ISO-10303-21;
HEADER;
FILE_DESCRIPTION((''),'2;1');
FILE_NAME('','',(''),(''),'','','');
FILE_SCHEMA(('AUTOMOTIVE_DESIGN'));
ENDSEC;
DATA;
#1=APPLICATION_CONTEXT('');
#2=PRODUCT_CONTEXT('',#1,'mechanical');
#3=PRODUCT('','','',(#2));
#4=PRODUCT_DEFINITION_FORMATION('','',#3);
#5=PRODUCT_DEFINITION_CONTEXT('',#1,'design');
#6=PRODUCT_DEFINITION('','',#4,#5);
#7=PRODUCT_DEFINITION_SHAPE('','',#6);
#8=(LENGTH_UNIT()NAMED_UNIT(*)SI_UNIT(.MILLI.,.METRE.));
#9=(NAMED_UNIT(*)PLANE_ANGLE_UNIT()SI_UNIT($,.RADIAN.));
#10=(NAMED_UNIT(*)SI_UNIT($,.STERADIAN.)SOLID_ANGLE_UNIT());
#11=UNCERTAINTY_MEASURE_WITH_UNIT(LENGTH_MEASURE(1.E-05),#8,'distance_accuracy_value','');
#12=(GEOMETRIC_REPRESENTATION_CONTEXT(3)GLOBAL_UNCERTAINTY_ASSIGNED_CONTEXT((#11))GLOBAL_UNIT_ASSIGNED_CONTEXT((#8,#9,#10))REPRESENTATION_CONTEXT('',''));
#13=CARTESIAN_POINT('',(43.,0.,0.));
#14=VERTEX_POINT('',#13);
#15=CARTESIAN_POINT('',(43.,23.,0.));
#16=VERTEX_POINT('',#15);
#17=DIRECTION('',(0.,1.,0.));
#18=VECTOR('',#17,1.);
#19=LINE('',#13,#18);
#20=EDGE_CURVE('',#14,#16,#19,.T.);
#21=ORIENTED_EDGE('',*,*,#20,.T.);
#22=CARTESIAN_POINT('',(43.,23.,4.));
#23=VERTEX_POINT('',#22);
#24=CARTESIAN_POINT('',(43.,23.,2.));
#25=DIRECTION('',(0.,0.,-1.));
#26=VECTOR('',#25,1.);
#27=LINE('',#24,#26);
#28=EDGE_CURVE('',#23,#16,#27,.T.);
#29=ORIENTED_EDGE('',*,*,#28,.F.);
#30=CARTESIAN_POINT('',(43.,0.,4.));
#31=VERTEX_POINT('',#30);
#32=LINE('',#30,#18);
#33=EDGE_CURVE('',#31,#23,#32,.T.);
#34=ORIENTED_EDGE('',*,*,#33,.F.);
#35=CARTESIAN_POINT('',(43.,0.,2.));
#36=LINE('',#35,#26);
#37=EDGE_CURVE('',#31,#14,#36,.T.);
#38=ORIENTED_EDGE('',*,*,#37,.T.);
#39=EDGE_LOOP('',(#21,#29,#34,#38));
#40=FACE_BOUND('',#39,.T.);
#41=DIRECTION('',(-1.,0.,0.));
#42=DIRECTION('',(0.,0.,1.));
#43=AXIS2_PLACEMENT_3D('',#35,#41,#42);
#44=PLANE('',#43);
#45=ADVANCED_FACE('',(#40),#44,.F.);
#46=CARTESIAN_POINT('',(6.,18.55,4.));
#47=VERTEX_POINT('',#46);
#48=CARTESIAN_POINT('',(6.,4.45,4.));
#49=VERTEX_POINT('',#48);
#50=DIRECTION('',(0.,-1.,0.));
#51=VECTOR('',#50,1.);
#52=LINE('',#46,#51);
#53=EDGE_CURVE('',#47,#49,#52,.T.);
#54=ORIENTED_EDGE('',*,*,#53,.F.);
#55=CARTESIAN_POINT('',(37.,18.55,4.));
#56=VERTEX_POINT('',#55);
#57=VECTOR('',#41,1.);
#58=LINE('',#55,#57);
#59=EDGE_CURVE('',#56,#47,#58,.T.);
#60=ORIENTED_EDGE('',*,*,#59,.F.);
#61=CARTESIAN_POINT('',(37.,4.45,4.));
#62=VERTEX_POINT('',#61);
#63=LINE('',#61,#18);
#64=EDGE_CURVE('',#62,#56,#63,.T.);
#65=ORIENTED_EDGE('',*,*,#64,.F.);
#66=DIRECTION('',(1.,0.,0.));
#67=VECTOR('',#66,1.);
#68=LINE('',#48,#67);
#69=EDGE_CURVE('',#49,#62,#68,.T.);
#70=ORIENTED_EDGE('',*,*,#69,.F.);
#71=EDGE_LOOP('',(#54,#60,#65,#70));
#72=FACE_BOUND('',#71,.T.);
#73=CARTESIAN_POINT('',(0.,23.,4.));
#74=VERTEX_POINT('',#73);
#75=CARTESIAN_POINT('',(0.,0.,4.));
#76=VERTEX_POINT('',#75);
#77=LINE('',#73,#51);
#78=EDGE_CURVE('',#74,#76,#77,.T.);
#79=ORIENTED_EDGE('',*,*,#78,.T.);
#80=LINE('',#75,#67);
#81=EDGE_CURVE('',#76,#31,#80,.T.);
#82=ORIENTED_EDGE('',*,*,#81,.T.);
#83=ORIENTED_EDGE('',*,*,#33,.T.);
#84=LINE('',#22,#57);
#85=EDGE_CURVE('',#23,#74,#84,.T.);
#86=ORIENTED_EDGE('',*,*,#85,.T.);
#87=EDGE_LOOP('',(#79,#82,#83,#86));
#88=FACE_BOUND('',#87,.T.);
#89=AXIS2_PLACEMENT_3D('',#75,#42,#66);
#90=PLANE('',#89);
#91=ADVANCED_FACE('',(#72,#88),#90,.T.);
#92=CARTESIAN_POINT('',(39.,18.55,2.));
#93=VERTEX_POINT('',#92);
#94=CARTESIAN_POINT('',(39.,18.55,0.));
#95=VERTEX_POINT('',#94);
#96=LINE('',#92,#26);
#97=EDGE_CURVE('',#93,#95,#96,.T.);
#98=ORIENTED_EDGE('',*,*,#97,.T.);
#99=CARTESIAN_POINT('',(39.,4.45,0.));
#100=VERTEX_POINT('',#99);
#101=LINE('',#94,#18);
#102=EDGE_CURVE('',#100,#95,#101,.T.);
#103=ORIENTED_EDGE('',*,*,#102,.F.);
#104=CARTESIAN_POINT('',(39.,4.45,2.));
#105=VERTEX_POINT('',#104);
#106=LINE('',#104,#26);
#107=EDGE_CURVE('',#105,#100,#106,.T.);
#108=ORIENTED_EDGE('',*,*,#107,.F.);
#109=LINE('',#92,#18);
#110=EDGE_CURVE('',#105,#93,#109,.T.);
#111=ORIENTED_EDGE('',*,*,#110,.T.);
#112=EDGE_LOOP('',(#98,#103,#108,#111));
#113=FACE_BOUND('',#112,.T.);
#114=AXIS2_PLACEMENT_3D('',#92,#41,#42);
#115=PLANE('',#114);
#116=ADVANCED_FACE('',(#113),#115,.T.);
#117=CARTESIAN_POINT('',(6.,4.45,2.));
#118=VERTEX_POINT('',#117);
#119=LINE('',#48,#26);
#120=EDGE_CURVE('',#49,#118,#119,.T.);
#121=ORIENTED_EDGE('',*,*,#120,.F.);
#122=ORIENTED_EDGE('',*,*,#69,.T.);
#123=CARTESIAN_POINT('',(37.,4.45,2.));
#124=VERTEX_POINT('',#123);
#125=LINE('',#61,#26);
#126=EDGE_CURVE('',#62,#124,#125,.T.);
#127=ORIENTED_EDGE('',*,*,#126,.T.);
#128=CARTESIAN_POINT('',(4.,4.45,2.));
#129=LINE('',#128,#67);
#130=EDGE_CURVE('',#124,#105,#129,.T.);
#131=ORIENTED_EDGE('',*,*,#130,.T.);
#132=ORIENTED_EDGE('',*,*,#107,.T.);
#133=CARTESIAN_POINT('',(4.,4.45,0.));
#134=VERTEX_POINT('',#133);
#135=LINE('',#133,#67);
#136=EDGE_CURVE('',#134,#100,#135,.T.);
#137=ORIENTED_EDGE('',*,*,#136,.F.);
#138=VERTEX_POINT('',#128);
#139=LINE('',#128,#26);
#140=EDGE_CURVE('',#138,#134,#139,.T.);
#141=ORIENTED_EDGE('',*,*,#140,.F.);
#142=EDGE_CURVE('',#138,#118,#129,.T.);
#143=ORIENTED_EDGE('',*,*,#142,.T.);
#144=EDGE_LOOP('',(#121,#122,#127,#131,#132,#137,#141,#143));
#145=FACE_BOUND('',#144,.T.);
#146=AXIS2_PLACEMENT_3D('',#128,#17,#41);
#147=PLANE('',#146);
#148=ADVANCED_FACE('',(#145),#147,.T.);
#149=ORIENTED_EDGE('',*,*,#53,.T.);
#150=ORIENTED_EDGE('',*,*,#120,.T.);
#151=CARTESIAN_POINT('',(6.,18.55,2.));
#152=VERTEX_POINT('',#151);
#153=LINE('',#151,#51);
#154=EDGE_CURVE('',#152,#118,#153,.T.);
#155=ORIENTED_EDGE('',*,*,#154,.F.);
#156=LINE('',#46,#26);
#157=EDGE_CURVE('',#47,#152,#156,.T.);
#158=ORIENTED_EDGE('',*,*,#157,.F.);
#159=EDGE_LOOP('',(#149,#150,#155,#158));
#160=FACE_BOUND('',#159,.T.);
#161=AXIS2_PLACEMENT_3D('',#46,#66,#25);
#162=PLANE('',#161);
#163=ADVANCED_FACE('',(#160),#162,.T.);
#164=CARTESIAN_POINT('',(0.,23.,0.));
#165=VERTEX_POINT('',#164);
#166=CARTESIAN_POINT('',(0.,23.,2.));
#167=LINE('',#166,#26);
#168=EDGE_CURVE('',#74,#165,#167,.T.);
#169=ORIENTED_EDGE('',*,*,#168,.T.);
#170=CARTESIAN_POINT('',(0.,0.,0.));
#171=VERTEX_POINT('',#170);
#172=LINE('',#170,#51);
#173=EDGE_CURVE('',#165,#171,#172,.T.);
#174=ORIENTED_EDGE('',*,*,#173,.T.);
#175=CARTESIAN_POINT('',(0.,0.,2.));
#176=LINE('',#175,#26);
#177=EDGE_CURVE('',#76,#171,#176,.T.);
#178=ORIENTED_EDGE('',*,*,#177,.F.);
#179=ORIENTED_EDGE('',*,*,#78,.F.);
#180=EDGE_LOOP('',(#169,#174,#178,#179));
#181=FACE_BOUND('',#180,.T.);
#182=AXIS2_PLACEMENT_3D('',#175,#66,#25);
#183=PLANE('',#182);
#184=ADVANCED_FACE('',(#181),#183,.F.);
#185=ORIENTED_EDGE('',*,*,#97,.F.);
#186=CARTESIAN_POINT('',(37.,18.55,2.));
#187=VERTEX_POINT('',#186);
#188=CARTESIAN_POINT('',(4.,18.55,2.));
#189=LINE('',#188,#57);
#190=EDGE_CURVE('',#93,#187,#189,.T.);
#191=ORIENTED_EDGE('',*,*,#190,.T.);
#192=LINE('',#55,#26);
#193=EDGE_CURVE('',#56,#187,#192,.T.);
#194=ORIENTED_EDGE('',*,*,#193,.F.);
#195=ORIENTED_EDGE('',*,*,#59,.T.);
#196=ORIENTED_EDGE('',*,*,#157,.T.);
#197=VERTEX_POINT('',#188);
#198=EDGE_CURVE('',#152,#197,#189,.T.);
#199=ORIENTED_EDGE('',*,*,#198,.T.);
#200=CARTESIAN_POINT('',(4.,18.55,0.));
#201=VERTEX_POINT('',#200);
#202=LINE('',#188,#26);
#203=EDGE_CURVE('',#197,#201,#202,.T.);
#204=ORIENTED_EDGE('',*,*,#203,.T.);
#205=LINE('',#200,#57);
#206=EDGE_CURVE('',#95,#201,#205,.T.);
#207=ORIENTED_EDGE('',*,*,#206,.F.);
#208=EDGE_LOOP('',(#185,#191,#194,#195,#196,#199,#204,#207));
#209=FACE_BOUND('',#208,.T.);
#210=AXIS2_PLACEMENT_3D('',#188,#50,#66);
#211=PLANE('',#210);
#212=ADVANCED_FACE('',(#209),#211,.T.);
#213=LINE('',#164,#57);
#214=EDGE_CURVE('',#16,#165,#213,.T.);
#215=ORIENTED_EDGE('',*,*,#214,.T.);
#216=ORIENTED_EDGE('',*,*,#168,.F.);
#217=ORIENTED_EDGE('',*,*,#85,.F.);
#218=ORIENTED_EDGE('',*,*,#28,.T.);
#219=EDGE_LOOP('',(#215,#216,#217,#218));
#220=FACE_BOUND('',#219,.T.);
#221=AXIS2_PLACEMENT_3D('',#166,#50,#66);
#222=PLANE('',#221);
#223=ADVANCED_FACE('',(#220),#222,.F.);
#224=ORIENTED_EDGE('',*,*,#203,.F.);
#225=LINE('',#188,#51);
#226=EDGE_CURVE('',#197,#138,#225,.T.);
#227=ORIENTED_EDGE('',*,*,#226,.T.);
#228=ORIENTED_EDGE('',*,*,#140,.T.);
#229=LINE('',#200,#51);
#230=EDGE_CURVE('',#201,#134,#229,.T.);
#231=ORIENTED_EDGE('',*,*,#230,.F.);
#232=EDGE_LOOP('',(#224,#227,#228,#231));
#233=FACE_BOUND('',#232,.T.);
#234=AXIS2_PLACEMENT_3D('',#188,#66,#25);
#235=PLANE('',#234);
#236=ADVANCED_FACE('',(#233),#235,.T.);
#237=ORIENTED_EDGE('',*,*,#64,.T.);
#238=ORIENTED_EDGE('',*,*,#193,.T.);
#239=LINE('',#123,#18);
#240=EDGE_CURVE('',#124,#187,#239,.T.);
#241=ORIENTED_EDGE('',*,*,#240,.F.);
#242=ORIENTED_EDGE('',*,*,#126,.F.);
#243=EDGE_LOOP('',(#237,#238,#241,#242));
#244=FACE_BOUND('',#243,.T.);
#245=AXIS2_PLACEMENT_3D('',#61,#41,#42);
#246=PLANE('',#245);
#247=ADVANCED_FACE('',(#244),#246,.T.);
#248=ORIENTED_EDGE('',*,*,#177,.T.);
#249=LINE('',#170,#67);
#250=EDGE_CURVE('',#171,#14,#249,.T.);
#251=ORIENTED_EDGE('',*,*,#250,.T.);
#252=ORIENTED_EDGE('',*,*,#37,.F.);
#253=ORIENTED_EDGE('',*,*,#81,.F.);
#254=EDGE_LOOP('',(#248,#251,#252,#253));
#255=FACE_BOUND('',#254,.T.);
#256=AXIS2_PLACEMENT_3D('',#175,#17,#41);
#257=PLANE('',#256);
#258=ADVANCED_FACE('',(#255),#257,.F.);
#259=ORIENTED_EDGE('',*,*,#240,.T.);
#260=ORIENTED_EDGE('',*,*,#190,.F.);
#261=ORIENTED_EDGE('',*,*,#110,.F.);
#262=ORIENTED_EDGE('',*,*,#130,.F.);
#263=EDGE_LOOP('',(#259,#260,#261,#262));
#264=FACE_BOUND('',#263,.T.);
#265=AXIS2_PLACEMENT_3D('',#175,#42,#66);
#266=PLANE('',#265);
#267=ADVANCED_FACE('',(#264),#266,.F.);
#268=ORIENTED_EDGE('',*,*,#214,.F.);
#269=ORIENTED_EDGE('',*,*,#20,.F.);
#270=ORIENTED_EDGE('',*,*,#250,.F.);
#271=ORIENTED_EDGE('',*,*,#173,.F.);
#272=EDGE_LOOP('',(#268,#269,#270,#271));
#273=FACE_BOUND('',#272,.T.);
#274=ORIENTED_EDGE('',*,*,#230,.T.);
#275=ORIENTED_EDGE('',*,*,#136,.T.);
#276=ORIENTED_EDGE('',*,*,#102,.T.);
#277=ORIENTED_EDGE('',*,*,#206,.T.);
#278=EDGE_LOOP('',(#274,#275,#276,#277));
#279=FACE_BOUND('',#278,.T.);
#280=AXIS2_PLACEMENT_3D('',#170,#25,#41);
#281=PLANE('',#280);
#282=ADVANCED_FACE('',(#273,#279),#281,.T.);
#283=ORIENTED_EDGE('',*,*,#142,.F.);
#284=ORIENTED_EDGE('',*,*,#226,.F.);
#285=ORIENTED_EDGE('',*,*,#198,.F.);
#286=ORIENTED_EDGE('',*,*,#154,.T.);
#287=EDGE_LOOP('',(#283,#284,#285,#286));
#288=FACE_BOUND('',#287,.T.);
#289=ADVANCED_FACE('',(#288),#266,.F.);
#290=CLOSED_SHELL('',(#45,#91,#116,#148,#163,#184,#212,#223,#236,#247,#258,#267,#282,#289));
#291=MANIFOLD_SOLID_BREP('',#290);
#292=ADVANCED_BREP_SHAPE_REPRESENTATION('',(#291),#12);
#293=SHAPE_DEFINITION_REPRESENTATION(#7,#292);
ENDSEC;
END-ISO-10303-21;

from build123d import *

# Parameters (mm, degrees)
SKETCH1_W           = 43
SKETCH1_H           = 23
SKETCH1_W_2         = 35
SKETCH1_H_2         = 14.1
BOSS_EXTRUDE1_DEPTH = 2
SKETCH2_W           = 43
SKETCH2_H           = 23
SKETCH2_W_2         = 31
SKETCH2_H_2         = 14.1
BOSS_EXTRUDE2_DEPTH = 2


with BuildPart() as part:
    # Sketch1 → Boss-Extrude1 (new body)
    with BuildSketch(Plane.XY):
        with Locations((21.5, 11.5)):
            Rectangle(SKETCH1_W, SKETCH1_H)
        with Locations((21.5, 11.5)):
            Rectangle(SKETCH1_W_2, SKETCH1_H_2, mode=Mode.SUBTRACT)
    extrude(amount=BOSS_EXTRUDE1_DEPTH)

    # Sketch2 → Boss-Extrude2 (add)
    with BuildSketch(Plane.XY.offset(2)):
        with Locations((21.5, 11.5)):
            Rectangle(SKETCH2_W, SKETCH2_H)
        with Locations((21.5, 11.5)):
            Rectangle(SKETCH2_W_2, SKETCH2_H_2, mode=Mode.SUBTRACT)
    extrude(amount=BOSS_EXTRUDE2_DEPTH)


solid = part.part
